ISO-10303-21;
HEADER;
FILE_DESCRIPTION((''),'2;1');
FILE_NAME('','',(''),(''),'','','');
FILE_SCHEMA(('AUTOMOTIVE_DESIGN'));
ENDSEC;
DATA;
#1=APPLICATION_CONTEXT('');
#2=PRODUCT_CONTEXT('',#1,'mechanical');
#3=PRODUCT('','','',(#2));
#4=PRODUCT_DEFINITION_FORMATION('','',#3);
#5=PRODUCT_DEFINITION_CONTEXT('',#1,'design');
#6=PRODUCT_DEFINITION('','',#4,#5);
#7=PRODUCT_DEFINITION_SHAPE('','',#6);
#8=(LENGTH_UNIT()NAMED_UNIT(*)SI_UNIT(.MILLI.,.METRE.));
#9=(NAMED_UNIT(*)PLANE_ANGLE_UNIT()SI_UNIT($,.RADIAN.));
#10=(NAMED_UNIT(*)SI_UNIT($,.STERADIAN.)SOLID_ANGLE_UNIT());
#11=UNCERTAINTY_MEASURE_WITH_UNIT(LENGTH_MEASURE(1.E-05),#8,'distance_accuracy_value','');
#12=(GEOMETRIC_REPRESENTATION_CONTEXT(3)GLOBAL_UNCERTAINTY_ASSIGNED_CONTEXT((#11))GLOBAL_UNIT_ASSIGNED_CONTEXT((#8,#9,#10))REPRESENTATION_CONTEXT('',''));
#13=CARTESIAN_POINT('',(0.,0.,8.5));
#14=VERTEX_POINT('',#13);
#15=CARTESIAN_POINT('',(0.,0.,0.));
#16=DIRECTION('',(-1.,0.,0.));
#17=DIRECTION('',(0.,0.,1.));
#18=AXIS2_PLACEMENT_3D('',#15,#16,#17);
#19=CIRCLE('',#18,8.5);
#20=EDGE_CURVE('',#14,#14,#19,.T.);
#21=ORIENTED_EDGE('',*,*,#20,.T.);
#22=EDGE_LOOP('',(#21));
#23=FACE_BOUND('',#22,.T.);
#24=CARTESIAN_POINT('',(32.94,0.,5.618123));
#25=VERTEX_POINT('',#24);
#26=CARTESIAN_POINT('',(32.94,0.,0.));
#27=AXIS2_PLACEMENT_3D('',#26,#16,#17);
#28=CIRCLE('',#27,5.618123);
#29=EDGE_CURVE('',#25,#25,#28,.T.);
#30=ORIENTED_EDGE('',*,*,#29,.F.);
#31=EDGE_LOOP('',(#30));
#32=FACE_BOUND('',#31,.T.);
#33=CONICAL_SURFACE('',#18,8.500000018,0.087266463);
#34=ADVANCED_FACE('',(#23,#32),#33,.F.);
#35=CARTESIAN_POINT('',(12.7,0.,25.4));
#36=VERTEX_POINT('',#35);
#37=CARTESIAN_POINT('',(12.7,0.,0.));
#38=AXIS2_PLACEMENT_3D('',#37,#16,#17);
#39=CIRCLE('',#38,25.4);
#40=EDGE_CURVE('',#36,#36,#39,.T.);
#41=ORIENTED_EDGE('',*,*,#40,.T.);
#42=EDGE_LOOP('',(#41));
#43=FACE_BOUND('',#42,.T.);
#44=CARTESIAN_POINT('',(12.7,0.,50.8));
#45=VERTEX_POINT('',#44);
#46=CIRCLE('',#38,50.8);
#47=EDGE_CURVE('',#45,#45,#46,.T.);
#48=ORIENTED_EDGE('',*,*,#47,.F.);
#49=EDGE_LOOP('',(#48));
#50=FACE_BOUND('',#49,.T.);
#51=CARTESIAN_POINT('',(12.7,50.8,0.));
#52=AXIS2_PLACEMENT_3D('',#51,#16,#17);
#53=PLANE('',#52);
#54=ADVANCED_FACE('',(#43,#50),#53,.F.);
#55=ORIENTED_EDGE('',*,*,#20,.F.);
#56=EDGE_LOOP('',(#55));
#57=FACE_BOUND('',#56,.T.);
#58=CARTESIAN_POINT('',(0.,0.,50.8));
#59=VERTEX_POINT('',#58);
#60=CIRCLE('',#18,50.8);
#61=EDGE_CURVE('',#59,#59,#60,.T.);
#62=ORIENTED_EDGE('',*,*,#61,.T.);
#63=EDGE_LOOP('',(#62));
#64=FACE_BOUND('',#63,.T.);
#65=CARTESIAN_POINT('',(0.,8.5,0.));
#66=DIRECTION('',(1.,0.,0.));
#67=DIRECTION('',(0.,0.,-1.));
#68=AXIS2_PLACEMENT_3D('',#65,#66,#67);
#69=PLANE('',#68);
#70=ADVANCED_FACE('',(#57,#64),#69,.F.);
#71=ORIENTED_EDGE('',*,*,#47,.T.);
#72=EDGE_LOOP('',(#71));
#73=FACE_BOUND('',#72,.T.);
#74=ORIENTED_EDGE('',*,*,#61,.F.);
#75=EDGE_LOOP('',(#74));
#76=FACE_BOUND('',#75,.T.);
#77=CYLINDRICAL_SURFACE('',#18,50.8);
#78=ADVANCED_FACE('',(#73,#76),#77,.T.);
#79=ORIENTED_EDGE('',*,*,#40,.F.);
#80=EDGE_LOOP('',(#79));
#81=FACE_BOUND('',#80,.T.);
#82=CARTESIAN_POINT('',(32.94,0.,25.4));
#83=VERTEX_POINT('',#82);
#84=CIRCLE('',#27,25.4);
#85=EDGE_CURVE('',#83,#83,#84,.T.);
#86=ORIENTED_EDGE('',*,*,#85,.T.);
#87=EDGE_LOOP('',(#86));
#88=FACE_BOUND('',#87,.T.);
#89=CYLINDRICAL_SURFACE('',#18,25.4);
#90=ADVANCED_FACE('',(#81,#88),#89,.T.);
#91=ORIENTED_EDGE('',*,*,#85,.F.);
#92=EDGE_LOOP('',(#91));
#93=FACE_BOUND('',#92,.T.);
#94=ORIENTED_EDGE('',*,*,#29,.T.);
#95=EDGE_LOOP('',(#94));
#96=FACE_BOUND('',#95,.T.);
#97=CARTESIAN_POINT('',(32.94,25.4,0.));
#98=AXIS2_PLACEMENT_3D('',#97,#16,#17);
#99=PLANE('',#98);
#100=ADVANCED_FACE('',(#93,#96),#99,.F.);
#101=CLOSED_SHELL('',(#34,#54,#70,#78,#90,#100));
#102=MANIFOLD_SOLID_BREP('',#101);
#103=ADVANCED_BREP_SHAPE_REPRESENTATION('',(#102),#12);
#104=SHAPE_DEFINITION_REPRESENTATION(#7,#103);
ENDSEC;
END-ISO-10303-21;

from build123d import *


with BuildPart() as part:
    # Sketch1 → Revolve1 (revolve)
    with BuildSketch(Plane.XY):
        Polygon((0, 8.500000018), (0, 50.8), (12.7, 50.8), (12.7, 25.4), (32.939999906, 25.4), (32.939999906, 5.61812345), align=None)
    revolve(axis=Axis((0, 0, 0), (1, 0, 0)))


solid = part.part
